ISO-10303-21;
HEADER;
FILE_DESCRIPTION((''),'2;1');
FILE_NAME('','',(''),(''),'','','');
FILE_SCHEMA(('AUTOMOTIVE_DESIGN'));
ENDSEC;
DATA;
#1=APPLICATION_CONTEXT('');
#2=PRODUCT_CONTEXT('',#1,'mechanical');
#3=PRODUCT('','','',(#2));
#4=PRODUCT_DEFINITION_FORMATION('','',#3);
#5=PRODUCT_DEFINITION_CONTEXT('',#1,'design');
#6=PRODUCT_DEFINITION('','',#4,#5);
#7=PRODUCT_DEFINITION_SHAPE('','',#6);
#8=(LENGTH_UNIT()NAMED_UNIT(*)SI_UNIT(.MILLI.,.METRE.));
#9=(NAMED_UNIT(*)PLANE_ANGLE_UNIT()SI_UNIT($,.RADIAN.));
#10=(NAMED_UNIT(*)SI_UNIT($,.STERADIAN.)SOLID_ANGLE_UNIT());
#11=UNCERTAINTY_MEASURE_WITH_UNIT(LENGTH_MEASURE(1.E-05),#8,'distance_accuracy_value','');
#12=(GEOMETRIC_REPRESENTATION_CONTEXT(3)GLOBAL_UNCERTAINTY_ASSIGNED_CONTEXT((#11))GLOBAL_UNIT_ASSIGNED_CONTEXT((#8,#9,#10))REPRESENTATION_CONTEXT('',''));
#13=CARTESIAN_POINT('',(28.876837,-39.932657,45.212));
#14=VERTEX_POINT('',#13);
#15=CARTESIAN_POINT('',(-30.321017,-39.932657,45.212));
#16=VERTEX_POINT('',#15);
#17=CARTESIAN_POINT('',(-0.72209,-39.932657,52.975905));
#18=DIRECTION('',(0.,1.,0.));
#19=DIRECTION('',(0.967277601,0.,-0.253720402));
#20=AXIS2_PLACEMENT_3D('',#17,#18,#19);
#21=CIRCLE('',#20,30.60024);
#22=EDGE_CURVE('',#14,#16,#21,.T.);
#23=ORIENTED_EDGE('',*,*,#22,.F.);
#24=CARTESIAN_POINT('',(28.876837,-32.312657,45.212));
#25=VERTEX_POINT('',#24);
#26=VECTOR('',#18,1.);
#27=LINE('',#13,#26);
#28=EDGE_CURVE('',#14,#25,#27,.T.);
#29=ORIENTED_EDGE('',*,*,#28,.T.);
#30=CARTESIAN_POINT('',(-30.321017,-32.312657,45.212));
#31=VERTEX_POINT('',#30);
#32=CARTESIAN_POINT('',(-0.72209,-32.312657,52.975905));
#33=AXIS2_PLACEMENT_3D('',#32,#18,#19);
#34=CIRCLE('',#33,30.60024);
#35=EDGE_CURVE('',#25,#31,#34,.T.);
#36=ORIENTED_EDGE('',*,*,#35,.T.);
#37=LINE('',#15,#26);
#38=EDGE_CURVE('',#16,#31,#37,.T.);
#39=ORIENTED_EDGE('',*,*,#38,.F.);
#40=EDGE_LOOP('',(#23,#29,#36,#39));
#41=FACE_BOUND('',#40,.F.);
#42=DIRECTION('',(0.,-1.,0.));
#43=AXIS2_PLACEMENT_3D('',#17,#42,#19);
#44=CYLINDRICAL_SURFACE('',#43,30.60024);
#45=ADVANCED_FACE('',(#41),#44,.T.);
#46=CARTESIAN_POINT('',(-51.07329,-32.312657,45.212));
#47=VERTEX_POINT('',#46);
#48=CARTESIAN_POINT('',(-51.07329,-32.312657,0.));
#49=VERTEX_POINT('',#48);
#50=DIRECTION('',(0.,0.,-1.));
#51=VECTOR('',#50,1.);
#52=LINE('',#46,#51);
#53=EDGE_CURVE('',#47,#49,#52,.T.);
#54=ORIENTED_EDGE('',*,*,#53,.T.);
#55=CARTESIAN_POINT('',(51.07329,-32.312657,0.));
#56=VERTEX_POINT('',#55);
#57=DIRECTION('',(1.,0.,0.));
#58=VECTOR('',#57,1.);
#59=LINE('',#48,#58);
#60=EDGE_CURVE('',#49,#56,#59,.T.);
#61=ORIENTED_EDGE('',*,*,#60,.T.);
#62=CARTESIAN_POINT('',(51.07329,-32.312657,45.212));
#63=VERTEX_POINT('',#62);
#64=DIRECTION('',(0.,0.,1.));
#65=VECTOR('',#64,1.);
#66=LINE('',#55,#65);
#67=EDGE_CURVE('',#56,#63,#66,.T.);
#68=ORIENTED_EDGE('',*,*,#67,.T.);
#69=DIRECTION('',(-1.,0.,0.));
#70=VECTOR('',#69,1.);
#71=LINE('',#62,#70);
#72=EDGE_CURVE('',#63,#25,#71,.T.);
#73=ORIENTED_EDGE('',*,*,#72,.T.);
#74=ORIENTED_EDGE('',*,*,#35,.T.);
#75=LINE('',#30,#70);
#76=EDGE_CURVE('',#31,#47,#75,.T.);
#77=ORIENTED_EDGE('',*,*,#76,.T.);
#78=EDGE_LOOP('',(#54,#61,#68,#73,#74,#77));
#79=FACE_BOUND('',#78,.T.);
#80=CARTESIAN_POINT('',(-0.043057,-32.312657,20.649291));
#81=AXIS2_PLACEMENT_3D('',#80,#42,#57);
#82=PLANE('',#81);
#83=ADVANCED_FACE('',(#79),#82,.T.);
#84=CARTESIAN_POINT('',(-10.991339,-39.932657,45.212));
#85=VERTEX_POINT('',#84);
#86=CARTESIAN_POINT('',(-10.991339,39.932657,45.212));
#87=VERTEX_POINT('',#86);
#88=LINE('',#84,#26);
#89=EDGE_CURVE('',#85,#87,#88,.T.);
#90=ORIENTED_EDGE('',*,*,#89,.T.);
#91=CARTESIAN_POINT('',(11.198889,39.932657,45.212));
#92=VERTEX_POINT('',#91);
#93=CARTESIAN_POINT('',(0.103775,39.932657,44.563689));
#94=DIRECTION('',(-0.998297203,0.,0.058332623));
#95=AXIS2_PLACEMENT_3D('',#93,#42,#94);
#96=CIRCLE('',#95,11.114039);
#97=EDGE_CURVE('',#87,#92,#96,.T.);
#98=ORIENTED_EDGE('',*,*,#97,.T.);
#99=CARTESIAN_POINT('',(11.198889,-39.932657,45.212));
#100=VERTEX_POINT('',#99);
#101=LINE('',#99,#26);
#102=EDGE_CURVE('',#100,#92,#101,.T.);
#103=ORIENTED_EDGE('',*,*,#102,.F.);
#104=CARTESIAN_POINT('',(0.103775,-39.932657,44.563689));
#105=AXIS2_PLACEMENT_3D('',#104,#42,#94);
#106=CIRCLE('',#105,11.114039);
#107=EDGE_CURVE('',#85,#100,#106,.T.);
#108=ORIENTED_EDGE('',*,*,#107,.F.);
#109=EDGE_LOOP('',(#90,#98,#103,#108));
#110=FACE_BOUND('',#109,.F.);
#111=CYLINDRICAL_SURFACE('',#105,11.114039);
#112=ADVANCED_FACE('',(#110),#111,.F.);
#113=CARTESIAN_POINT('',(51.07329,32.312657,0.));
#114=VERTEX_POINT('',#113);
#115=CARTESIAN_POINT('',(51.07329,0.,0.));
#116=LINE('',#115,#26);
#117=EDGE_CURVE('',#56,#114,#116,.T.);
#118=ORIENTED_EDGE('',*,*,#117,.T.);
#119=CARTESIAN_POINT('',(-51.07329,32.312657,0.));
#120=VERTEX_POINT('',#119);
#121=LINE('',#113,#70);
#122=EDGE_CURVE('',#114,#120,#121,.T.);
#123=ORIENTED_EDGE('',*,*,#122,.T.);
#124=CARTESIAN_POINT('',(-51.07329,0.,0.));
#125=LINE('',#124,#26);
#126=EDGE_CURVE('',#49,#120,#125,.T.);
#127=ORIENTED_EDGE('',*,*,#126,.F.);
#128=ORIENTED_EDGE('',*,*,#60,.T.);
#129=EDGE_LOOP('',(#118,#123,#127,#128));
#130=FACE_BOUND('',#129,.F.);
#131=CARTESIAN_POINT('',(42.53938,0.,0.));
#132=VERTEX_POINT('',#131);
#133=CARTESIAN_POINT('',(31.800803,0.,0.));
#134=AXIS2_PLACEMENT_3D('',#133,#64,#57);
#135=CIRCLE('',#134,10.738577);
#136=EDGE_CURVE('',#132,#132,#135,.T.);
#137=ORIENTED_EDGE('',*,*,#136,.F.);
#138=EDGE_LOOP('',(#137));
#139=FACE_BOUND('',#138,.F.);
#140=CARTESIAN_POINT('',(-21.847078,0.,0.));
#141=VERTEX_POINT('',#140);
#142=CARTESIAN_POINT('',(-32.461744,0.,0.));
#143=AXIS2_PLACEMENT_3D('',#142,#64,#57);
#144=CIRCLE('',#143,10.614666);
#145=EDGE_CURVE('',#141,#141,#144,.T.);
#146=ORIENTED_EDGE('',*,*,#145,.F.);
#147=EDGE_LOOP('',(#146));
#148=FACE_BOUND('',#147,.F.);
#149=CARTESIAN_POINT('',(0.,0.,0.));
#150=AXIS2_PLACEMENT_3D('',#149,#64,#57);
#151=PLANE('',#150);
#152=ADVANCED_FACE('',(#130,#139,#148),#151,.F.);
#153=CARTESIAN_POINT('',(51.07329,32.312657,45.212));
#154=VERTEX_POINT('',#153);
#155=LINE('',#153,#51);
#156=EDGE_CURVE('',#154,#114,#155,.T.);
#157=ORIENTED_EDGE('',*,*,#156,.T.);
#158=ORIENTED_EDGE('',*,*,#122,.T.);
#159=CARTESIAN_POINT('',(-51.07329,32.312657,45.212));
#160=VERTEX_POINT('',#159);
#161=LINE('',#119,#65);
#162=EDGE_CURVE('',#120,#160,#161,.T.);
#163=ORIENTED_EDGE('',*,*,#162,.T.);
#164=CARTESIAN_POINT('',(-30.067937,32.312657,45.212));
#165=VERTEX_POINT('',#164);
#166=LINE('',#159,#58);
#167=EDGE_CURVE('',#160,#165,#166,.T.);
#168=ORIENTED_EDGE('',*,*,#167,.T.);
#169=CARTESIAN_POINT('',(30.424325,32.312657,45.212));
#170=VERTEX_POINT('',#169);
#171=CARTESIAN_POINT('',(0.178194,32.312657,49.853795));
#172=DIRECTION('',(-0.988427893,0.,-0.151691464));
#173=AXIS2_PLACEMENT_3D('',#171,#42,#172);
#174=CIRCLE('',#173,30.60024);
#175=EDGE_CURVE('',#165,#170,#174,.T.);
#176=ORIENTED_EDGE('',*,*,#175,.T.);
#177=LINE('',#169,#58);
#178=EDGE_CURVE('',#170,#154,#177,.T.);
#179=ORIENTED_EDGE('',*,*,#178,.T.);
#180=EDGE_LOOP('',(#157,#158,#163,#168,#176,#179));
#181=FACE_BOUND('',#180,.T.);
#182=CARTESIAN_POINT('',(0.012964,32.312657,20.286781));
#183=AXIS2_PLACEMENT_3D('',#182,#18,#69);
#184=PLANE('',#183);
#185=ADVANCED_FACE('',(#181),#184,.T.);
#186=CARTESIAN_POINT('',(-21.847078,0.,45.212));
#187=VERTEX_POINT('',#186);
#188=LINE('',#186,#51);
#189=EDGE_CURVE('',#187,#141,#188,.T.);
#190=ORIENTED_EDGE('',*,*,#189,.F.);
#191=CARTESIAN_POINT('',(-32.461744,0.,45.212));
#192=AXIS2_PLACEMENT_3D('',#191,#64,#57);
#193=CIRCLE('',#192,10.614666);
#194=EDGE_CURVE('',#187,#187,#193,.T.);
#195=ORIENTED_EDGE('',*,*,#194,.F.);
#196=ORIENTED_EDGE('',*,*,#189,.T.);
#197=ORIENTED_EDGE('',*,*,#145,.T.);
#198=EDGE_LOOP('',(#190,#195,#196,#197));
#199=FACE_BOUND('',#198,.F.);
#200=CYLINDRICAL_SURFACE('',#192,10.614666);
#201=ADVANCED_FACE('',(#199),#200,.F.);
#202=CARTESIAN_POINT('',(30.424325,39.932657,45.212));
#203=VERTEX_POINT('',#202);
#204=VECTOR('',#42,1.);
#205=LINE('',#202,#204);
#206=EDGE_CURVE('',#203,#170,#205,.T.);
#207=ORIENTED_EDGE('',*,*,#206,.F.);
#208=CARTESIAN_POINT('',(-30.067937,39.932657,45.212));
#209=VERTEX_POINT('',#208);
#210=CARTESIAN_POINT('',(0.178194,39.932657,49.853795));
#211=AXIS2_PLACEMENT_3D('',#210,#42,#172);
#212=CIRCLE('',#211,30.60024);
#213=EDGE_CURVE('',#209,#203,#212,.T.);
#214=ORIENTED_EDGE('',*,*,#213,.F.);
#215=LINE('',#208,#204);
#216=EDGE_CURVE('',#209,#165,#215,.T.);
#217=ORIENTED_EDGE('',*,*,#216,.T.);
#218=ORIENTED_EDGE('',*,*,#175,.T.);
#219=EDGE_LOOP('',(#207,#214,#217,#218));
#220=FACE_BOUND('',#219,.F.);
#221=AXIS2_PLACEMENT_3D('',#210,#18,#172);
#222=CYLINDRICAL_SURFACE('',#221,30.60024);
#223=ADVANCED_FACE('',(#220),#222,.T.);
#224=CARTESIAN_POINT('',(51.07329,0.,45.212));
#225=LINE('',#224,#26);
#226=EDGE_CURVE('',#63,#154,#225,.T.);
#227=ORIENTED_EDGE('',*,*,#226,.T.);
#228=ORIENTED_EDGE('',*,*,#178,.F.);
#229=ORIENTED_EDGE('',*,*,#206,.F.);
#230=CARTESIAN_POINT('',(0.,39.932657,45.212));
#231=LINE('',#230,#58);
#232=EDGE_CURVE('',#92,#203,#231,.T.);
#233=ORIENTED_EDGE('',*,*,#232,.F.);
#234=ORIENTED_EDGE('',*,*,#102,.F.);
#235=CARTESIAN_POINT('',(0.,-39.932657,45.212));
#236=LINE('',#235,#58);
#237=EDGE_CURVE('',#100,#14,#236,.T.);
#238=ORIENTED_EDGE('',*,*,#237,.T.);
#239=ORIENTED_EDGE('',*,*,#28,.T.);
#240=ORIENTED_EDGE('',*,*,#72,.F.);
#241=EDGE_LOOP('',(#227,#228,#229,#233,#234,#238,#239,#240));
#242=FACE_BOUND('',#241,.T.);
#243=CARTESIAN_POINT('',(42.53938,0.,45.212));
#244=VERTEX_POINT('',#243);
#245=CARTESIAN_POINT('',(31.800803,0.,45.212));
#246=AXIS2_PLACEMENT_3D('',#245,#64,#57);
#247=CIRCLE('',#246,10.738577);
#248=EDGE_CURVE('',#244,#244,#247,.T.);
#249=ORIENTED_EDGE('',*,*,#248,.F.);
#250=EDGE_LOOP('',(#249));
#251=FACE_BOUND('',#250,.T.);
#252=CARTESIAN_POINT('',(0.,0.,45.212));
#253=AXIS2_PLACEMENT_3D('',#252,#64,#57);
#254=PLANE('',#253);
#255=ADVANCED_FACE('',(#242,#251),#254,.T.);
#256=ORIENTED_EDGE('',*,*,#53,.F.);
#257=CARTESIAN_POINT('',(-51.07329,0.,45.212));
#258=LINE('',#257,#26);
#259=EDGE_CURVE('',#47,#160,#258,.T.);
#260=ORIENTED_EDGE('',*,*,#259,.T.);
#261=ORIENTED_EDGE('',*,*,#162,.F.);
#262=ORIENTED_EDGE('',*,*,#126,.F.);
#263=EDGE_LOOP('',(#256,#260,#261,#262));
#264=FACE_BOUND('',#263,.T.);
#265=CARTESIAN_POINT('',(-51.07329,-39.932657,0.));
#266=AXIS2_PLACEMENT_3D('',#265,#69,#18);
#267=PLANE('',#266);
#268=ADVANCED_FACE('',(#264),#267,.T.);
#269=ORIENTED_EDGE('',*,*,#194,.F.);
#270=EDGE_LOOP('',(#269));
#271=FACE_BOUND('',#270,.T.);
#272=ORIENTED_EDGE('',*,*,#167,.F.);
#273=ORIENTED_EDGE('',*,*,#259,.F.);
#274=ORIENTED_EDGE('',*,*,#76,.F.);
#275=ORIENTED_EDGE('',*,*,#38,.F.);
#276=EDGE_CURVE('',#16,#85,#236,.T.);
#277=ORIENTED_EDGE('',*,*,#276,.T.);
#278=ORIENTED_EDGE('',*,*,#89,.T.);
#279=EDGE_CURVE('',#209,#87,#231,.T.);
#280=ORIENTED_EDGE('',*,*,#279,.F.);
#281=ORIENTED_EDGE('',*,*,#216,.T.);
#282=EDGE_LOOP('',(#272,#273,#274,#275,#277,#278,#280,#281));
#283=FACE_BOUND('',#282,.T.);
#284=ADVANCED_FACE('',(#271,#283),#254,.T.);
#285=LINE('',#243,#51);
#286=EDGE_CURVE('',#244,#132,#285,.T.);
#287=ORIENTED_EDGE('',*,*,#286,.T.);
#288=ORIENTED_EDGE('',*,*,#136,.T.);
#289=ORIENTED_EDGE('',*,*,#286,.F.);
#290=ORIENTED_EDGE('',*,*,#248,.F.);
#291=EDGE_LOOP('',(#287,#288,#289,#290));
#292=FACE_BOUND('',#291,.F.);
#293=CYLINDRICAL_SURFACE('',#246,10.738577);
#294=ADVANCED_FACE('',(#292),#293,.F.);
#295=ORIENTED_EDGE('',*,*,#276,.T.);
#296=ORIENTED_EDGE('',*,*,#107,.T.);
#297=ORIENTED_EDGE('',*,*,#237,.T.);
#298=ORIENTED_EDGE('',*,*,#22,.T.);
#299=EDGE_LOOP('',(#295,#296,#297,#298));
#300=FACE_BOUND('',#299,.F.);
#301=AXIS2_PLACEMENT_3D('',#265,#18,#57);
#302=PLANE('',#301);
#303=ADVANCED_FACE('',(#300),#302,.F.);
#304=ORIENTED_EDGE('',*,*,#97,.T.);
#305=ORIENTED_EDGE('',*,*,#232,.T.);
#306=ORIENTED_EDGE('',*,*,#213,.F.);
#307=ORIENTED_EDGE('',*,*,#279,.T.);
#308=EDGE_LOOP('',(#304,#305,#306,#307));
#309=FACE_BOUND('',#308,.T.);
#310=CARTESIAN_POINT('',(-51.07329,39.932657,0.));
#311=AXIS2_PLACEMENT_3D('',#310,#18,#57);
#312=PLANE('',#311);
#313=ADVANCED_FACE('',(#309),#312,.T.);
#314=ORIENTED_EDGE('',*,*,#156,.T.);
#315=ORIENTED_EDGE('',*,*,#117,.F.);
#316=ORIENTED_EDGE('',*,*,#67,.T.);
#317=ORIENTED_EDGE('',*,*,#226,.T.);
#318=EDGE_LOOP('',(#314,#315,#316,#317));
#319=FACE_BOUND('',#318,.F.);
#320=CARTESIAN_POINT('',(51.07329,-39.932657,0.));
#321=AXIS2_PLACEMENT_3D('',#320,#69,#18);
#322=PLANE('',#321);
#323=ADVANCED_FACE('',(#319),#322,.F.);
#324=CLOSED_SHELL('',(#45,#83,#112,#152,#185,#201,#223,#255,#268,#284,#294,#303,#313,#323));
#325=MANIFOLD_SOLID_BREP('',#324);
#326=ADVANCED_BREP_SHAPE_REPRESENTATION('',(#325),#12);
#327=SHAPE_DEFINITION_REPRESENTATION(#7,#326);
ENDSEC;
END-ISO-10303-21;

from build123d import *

# Parameters (mm, degrees)
F0_W      = 102.14658
F0_H      = 79.865314
F1_DEPTH  = 45.212
F3_DEPTH  = 7.62
F5_DEPTH  = 7.62
F8_DEPTH  = 240.792
F9_R      = 10.614666
F9_R_2    = 10.738577
F10_DEPTH = 83.566


with BuildPart() as f1:
    # F0 (on Top) → F1 (new body)
    with BuildSketch(Plane.XY):
        Rectangle(F0_W, F0_H)
    extrude(amount=F1_DEPTH)

    # F2 (on face) → F3 (cut)
    with BuildSketch(Plane(origin=(0, 39.932657, 0), x_dir=(-1, 0, 0), z_dir=(0, 1, 0))):
        with BuildLine():
            ThreePointArc((30.067937, 45.212), (-0.178194, 19.253555), (-30.424325, 45.212))
            Line((-30.424325, 45.212), (-51.07329, 45.212))
            Line((-51.07329, 45.212), (-51.07329, 0))
            Line((-51.07329, 0), (51.07329, 0))
            Line((51.07329, 0), (51.07329, 45.212))
            Line((51.07329, 45.212), (30.067937, 45.212))
        make_face()
    extrude(amount=-F3_DEPTH, mode=Mode.SUBTRACT)

    # F4 (on face) → F5 (cut)
    with BuildSketch(Plane.XZ.offset(39.932657)):
        with BuildLine():
            ThreePointArc((28.876837, 45.212), (-0.72209, 22.375665), (-30.321017, 45.212))
            Line((-30.321017, 45.212), (-51.07329, 45.212))
            Line((-51.07329, 45.212), (-51.07329, 0))
            Line((-51.07329, 0), (51.07329, 0))
            Line((51.07329, 0), (51.07329, 45.212))
            Line((51.07329, 45.212), (28.876837, 45.212))
        make_face()
    extrude(amount=-F5_DEPTH, mode=Mode.SUBTRACT)

    # F7 (on face) → F8 (cut)
    with BuildSketch(Plane.XZ.offset(39.932657)):
        with BuildLine():
            Line((11.198889, 45.212), (-10.991339, 45.212))
            ThreePointArc((-10.991339, 45.212), (0.103775, 33.44965), (11.198889, 45.212))
        make_face()
    extrude(amount=-F8_DEPTH, mode=Mode.SUBTRACT)

    # F9 (on face) → F10 (cut)
    with BuildSketch(Plane.XY.offset(45.212)):
        with Locations((-32.461744, 0)):
            Circle(F9_R)
        with Locations((31.800803, 0)):
            Circle(F9_R_2)
    extrude(amount=-F10_DEPTH, mode=Mode.SUBTRACT)


solid = f1.part
